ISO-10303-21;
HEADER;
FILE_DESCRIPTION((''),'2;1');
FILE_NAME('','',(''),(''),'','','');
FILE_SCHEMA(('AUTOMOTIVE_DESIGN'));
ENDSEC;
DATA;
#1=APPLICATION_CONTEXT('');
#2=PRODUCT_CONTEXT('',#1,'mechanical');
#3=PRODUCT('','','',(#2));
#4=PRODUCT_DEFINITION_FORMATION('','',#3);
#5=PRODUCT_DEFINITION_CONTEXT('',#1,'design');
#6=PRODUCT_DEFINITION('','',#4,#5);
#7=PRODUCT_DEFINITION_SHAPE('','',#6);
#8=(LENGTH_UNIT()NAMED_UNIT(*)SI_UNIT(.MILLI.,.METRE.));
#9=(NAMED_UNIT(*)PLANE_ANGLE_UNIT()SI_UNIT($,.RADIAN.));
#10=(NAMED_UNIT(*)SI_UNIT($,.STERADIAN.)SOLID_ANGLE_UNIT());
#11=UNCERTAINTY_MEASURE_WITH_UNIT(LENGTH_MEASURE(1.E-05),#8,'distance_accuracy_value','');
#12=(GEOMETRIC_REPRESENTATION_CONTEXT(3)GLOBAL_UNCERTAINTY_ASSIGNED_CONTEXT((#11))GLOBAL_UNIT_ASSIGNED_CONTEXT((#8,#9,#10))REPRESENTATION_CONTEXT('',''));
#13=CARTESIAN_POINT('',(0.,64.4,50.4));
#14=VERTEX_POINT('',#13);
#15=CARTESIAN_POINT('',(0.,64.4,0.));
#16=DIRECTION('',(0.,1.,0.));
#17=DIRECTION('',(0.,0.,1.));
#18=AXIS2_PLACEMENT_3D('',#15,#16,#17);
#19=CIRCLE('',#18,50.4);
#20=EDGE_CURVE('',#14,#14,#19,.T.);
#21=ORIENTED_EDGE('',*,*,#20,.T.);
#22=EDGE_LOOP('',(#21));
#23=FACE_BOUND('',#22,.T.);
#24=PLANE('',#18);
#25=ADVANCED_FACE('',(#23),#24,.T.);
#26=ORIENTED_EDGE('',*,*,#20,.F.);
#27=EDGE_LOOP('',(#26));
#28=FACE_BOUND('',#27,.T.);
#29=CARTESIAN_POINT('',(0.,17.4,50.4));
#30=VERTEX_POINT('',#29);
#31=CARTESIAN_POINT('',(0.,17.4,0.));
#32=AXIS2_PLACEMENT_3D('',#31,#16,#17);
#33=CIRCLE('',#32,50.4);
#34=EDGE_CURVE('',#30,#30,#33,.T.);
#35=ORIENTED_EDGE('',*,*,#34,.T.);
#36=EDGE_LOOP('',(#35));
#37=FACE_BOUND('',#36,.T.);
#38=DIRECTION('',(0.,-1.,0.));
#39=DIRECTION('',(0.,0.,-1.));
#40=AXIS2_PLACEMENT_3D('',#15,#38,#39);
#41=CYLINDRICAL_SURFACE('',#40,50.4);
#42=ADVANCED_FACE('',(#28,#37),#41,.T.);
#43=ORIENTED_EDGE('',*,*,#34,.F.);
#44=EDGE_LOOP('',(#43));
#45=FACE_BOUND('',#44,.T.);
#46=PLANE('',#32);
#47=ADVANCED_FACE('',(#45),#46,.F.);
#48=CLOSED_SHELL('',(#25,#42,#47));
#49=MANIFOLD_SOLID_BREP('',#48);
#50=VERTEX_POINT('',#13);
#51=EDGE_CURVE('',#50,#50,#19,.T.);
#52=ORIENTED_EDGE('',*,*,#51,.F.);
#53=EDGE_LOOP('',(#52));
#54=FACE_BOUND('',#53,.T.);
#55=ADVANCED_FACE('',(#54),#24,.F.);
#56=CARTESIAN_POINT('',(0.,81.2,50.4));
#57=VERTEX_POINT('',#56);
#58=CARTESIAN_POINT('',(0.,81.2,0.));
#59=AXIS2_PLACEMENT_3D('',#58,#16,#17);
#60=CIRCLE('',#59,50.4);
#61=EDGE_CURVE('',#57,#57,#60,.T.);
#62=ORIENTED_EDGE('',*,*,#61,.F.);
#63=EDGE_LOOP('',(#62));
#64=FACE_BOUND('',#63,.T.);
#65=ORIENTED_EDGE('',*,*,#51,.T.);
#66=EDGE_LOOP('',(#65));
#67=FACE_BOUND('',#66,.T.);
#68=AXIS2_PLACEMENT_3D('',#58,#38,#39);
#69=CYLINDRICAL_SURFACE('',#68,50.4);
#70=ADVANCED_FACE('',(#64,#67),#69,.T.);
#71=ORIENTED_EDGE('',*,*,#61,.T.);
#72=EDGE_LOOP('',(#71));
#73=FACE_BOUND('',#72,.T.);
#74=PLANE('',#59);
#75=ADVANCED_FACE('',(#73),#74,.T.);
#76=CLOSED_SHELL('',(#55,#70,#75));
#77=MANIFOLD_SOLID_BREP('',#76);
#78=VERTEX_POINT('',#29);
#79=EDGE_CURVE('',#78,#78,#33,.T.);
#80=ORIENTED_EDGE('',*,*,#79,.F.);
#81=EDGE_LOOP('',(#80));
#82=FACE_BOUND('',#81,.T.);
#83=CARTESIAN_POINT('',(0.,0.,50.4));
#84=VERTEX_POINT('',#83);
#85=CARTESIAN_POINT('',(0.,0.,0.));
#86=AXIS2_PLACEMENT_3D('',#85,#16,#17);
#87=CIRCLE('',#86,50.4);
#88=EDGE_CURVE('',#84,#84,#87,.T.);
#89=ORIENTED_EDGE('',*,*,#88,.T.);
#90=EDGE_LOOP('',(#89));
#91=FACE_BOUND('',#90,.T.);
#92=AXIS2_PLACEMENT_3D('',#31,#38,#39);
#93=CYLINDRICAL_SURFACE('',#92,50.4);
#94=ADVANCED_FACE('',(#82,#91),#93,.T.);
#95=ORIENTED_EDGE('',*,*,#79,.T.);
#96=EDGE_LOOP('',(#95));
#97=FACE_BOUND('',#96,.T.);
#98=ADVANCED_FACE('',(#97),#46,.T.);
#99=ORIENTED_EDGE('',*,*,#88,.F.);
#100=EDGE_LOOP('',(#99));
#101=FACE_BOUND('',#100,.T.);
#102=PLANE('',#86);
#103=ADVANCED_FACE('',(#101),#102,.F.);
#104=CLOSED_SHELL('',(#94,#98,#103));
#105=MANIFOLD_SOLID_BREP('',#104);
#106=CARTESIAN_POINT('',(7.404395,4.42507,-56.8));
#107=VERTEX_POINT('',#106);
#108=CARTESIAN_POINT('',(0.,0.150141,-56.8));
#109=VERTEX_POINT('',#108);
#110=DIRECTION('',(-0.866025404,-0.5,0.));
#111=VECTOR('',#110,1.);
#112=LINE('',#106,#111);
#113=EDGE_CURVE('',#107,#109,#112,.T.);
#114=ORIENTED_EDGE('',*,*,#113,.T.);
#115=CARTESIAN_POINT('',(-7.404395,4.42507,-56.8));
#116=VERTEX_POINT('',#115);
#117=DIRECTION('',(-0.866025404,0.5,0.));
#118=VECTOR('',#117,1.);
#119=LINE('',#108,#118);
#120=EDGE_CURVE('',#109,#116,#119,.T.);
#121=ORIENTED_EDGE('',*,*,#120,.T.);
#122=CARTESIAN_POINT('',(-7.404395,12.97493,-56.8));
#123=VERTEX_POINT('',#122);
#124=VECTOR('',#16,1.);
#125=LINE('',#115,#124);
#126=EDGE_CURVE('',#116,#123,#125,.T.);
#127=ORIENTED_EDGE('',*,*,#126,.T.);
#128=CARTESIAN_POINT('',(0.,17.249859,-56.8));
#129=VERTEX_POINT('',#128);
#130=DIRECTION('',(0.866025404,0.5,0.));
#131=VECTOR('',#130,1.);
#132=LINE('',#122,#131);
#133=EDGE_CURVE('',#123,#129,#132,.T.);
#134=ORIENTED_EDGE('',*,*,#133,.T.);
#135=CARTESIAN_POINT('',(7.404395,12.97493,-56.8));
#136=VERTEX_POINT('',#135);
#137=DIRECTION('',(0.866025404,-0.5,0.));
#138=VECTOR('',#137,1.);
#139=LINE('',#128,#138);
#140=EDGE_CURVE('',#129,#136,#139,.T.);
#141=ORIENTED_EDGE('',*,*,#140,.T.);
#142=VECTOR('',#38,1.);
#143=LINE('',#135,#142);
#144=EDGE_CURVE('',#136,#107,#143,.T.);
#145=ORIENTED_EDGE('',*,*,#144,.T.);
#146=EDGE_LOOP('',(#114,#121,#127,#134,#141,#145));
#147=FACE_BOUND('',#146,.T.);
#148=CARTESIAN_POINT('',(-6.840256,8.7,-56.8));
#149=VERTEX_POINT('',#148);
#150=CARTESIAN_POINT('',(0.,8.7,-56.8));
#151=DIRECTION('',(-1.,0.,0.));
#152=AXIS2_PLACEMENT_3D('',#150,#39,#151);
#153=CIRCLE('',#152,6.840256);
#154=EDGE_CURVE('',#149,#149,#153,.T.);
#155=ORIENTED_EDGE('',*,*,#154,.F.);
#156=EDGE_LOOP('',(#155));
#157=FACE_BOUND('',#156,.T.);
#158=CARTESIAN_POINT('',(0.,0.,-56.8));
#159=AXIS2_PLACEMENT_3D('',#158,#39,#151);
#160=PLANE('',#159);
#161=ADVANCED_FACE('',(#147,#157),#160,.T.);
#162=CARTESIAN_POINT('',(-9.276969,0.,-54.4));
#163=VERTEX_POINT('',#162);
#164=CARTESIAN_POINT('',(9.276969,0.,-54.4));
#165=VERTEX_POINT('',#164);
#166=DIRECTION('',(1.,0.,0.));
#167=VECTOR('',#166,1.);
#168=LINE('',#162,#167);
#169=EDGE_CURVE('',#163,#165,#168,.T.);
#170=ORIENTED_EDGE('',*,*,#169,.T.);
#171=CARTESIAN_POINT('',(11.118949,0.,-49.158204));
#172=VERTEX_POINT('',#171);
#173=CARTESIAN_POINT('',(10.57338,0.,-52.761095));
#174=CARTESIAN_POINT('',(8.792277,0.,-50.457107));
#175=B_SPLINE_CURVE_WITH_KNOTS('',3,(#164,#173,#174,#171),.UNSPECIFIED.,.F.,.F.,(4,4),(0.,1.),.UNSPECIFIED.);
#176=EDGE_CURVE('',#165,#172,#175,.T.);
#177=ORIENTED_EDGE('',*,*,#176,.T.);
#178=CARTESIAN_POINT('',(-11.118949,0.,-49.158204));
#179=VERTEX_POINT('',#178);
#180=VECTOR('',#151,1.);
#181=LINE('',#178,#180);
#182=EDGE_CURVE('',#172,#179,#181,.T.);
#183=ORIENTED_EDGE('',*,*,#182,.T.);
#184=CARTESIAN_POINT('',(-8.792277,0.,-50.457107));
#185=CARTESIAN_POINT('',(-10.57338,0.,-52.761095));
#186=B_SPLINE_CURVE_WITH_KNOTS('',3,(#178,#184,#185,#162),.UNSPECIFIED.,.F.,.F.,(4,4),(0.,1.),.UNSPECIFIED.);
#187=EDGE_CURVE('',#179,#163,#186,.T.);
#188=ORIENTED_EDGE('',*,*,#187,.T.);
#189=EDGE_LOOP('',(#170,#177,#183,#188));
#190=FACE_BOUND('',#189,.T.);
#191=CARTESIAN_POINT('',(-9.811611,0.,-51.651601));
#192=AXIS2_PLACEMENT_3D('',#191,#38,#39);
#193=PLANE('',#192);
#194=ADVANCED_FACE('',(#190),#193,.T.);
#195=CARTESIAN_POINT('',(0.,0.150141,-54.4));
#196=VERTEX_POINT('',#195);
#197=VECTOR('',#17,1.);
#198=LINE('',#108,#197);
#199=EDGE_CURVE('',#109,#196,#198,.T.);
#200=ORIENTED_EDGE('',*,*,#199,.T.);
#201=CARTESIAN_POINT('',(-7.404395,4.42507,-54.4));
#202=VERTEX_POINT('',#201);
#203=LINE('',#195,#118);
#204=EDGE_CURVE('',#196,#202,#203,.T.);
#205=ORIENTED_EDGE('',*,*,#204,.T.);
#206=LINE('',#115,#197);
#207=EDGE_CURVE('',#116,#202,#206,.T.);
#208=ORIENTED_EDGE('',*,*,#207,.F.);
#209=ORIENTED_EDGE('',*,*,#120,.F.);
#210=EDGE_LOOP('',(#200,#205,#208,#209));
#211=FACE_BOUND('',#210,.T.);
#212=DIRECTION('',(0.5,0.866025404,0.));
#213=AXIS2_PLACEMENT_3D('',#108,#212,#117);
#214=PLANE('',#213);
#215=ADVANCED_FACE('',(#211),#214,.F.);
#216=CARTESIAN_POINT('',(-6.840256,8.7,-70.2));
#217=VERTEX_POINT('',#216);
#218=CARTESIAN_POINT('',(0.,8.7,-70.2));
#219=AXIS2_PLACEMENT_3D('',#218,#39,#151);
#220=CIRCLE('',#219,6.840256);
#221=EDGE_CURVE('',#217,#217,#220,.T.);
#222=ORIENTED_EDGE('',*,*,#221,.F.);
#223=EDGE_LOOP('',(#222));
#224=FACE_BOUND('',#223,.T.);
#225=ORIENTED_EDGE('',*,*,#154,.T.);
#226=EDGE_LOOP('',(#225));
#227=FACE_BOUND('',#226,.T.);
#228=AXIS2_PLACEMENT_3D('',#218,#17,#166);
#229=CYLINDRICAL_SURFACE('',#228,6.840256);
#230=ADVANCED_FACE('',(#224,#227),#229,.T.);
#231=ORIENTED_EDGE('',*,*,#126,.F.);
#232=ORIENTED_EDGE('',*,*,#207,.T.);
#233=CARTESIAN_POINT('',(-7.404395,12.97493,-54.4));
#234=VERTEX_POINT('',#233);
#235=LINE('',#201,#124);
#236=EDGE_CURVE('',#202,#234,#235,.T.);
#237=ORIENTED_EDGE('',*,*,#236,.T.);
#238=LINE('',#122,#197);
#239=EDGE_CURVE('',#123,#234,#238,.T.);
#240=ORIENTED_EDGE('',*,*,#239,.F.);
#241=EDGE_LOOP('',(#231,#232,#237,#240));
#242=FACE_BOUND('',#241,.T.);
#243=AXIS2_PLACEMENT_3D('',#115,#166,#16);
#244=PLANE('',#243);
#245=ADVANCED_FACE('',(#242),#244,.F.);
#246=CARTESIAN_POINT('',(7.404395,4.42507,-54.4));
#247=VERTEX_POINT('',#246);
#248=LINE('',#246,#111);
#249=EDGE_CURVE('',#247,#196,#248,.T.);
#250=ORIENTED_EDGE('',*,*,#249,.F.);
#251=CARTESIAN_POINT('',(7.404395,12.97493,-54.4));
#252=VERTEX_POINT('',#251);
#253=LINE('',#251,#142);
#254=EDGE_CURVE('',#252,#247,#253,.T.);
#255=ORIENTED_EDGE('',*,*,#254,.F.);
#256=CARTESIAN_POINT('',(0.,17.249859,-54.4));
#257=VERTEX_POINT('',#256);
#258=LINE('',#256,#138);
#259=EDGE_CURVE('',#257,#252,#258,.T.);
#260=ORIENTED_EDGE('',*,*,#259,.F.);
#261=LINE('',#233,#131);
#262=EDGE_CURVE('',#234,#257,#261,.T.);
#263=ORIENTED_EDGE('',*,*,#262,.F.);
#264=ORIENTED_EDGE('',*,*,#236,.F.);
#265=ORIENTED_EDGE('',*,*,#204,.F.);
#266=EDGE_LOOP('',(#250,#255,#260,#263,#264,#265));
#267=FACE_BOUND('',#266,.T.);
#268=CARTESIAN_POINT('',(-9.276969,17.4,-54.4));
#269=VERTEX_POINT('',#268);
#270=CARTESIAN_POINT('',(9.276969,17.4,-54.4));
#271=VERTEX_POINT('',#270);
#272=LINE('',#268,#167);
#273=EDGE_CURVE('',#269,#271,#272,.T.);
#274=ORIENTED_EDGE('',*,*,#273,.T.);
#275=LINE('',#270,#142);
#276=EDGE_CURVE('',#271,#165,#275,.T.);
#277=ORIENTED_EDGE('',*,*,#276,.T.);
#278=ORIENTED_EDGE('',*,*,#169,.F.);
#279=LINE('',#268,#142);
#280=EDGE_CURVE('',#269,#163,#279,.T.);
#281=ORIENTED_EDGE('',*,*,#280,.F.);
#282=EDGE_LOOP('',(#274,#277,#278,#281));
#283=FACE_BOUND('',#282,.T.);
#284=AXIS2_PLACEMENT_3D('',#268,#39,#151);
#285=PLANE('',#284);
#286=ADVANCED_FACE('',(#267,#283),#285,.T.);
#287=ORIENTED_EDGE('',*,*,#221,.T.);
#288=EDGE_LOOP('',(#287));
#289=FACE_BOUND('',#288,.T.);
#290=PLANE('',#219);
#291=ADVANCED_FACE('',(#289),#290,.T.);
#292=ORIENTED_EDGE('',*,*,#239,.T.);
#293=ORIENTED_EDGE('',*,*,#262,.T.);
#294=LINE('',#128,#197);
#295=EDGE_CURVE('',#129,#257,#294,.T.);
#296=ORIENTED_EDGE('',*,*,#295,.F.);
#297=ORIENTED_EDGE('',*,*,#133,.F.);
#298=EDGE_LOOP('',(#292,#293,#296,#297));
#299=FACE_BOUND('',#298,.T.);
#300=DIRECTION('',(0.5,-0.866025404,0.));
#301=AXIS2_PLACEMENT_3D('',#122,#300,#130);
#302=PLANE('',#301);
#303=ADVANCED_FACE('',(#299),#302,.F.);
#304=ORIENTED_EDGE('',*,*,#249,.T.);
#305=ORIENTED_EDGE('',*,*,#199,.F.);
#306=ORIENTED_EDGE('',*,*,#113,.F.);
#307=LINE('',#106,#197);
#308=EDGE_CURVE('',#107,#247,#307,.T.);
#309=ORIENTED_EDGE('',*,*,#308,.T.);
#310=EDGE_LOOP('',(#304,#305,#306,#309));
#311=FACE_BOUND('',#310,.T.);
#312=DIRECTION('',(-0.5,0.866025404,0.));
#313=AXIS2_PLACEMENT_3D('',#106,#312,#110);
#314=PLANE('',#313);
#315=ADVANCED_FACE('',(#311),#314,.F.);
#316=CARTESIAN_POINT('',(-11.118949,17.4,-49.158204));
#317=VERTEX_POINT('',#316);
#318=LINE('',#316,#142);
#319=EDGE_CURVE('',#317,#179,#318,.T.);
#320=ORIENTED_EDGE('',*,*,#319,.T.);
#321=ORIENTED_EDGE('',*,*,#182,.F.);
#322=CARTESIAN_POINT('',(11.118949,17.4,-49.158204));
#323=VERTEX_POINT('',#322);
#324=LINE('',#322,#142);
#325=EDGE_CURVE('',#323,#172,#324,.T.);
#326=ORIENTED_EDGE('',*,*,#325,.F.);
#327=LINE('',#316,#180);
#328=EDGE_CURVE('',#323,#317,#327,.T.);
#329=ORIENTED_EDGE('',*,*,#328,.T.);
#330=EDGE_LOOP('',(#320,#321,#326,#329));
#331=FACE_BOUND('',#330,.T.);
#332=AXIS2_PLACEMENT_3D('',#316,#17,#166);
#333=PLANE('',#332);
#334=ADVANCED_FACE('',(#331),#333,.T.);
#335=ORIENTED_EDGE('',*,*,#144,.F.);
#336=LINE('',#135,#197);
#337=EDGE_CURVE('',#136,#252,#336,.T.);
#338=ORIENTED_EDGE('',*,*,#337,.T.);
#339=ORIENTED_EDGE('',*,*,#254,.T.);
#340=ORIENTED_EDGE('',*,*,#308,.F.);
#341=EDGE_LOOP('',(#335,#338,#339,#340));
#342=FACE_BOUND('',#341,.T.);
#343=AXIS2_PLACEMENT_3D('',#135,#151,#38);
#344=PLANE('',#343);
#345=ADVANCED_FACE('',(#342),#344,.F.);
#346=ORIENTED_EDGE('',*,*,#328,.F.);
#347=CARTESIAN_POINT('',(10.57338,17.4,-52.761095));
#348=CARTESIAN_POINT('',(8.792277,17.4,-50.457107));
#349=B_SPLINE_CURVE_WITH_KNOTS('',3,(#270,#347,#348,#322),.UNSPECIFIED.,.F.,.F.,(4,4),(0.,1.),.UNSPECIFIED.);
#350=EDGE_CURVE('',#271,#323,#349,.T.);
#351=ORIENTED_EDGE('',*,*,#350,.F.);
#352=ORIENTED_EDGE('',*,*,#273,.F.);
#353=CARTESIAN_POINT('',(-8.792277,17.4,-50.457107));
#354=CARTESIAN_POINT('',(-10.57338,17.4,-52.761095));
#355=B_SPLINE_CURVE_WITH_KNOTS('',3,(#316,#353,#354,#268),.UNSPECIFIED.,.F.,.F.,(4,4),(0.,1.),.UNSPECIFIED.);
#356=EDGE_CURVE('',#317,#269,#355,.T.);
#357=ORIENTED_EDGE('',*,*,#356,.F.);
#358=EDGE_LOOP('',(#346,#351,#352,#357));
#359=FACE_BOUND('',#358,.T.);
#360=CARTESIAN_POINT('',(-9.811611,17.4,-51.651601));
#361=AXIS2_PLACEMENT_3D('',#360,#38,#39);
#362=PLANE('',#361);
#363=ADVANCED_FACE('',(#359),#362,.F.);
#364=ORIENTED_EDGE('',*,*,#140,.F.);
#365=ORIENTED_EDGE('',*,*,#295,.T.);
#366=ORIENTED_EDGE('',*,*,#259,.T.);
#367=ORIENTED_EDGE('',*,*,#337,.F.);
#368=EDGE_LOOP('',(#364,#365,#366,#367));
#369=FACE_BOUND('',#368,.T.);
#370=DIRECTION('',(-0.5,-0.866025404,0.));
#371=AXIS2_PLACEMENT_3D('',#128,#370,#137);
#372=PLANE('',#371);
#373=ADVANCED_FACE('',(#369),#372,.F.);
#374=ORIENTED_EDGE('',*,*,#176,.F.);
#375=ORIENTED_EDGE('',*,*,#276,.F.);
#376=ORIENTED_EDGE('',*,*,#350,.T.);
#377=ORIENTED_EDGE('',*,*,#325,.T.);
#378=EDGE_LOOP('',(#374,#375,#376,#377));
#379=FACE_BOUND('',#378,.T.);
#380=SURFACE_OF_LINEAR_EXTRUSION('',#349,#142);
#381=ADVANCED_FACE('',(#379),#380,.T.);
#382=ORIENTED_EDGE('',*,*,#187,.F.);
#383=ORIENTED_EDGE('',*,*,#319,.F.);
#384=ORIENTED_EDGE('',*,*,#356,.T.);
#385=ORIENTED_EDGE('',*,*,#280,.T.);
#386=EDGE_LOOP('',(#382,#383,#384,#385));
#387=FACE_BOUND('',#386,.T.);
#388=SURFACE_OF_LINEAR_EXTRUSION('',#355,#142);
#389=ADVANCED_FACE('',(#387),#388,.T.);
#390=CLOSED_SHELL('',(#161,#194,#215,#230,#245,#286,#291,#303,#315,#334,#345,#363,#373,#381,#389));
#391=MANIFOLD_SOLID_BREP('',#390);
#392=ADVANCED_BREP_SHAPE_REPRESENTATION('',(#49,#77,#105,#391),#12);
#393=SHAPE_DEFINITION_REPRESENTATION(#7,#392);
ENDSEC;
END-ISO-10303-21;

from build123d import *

# Parameters (mm, degrees)
SKETCH1_R           = 50.4
BOSS_EXTRUDE1_DEPTH = 17.4
SKETCH2_R           = 50.4
BOSS_EXTRUDE4_DEPTH = 47
SKETCH3_R           = 50.4
BOSS_EXTRUDE5_DEPTH = 16.8
BOSS_EXTRUDE7_DEPTH = 17.4
BOSS_EXTRUDE8_DEPTH = 2.4
SKETCH7_R           = 6.840256055
BOSS_EXTRUDE9_DEPTH = 13.4


with BuildPart() as part:
    # Sketch1 → Boss-Extrude1 (new body)
    with BuildSketch(Plane(origin=(0, 0, 0), x_dir=(1, 0, 0), z_dir=(0, 1, 0))):
        with Locations(Location((0, 0, 0), (0, 0, 270))):
            Circle(SKETCH1_R)
    extrude(amount=BOSS_EXTRUDE1_DEPTH)


with BuildPart() as body_2:
    # Sketch2 → Boss-Extrude4 (new body)
    with BuildSketch(Plane(origin=(0, 17.4, 0), x_dir=(1, 0, 0), z_dir=(0, 1, 0))):
        with Locations(Location((0, 0, 0), (0, 0, 270))):
            Circle(SKETCH2_R)
    extrude(amount=BOSS_EXTRUDE4_DEPTH)


with BuildPart() as body_3:
    # Sketch3 → Boss-Extrude5 (new body)
    with BuildSketch(Plane(origin=(0, 64.4, 0), x_dir=(1, 0, 0), z_dir=(0, 1, 0))):
        with Locations(Location((0, 0, 0), (0, 0, 270))):
            Circle(SKETCH3_R)
    extrude(amount=BOSS_EXTRUDE5_DEPTH)


with BuildPart() as body_4:
    # Sketch5 → Boss-Extrude7 (new body)
    with BuildSketch(Plane.XZ):
        with BuildLine():
            Line((-9.276969029, -54.4), (9.276969029, -54.4))
            add(Edge.make_bspline(
                [(11.118948593, -49.15820361), (8.792277398, -50.457107312), (10.573380416, -52.761094985), (9.276969029, -54.4)],
                knots=[0, 0, 0, 0, 1, 1, 1, 1], degree=3))
            Line((11.118948593, -49.15820361), (-11.118948593, -49.15820361))
            add(Edge.make_bspline(
                [(-11.118948593, -49.15820361), (-8.792277398, -50.457107312), (-10.573380416, -52.761094985), (-9.276969029, -54.4)],
                knots=[0, 0, 0, 0, 1, 1, 1, 1], degree=3))
        make_face()
    extrude(amount=-BOSS_EXTRUDE7_DEPTH)

    # Sketch6 → Boss-Extrude8 (add)
    with BuildSketch(Plane(origin=(0, 0, -54.4), x_dir=(-1, 0, 0), z_dir=(0, 0, -1))):
        Polygon((0, 17.249859203), (-7.404395268, 12.974929601), (-7.404395268, 4.425070399), (0, 0.150140797), (7.404395268, 4.425070399), (7.404395268, 12.974929601), align=None)
    extrude(amount=BOSS_EXTRUDE8_DEPTH)

    # Sketch7 → Boss-Extrude9 (add)
    with BuildSketch(Plane(origin=(0, 0, -56.8), x_dir=(-1, 0, 0), z_dir=(0, 0, -1))):
        with Locations((0, 8.7)):
            Circle(SKETCH7_R)
    extrude(amount=BOSS_EXTRUDE9_DEPTH)


solid = Compound([part.part, body_2.part, body_3.part, body_4.part])
